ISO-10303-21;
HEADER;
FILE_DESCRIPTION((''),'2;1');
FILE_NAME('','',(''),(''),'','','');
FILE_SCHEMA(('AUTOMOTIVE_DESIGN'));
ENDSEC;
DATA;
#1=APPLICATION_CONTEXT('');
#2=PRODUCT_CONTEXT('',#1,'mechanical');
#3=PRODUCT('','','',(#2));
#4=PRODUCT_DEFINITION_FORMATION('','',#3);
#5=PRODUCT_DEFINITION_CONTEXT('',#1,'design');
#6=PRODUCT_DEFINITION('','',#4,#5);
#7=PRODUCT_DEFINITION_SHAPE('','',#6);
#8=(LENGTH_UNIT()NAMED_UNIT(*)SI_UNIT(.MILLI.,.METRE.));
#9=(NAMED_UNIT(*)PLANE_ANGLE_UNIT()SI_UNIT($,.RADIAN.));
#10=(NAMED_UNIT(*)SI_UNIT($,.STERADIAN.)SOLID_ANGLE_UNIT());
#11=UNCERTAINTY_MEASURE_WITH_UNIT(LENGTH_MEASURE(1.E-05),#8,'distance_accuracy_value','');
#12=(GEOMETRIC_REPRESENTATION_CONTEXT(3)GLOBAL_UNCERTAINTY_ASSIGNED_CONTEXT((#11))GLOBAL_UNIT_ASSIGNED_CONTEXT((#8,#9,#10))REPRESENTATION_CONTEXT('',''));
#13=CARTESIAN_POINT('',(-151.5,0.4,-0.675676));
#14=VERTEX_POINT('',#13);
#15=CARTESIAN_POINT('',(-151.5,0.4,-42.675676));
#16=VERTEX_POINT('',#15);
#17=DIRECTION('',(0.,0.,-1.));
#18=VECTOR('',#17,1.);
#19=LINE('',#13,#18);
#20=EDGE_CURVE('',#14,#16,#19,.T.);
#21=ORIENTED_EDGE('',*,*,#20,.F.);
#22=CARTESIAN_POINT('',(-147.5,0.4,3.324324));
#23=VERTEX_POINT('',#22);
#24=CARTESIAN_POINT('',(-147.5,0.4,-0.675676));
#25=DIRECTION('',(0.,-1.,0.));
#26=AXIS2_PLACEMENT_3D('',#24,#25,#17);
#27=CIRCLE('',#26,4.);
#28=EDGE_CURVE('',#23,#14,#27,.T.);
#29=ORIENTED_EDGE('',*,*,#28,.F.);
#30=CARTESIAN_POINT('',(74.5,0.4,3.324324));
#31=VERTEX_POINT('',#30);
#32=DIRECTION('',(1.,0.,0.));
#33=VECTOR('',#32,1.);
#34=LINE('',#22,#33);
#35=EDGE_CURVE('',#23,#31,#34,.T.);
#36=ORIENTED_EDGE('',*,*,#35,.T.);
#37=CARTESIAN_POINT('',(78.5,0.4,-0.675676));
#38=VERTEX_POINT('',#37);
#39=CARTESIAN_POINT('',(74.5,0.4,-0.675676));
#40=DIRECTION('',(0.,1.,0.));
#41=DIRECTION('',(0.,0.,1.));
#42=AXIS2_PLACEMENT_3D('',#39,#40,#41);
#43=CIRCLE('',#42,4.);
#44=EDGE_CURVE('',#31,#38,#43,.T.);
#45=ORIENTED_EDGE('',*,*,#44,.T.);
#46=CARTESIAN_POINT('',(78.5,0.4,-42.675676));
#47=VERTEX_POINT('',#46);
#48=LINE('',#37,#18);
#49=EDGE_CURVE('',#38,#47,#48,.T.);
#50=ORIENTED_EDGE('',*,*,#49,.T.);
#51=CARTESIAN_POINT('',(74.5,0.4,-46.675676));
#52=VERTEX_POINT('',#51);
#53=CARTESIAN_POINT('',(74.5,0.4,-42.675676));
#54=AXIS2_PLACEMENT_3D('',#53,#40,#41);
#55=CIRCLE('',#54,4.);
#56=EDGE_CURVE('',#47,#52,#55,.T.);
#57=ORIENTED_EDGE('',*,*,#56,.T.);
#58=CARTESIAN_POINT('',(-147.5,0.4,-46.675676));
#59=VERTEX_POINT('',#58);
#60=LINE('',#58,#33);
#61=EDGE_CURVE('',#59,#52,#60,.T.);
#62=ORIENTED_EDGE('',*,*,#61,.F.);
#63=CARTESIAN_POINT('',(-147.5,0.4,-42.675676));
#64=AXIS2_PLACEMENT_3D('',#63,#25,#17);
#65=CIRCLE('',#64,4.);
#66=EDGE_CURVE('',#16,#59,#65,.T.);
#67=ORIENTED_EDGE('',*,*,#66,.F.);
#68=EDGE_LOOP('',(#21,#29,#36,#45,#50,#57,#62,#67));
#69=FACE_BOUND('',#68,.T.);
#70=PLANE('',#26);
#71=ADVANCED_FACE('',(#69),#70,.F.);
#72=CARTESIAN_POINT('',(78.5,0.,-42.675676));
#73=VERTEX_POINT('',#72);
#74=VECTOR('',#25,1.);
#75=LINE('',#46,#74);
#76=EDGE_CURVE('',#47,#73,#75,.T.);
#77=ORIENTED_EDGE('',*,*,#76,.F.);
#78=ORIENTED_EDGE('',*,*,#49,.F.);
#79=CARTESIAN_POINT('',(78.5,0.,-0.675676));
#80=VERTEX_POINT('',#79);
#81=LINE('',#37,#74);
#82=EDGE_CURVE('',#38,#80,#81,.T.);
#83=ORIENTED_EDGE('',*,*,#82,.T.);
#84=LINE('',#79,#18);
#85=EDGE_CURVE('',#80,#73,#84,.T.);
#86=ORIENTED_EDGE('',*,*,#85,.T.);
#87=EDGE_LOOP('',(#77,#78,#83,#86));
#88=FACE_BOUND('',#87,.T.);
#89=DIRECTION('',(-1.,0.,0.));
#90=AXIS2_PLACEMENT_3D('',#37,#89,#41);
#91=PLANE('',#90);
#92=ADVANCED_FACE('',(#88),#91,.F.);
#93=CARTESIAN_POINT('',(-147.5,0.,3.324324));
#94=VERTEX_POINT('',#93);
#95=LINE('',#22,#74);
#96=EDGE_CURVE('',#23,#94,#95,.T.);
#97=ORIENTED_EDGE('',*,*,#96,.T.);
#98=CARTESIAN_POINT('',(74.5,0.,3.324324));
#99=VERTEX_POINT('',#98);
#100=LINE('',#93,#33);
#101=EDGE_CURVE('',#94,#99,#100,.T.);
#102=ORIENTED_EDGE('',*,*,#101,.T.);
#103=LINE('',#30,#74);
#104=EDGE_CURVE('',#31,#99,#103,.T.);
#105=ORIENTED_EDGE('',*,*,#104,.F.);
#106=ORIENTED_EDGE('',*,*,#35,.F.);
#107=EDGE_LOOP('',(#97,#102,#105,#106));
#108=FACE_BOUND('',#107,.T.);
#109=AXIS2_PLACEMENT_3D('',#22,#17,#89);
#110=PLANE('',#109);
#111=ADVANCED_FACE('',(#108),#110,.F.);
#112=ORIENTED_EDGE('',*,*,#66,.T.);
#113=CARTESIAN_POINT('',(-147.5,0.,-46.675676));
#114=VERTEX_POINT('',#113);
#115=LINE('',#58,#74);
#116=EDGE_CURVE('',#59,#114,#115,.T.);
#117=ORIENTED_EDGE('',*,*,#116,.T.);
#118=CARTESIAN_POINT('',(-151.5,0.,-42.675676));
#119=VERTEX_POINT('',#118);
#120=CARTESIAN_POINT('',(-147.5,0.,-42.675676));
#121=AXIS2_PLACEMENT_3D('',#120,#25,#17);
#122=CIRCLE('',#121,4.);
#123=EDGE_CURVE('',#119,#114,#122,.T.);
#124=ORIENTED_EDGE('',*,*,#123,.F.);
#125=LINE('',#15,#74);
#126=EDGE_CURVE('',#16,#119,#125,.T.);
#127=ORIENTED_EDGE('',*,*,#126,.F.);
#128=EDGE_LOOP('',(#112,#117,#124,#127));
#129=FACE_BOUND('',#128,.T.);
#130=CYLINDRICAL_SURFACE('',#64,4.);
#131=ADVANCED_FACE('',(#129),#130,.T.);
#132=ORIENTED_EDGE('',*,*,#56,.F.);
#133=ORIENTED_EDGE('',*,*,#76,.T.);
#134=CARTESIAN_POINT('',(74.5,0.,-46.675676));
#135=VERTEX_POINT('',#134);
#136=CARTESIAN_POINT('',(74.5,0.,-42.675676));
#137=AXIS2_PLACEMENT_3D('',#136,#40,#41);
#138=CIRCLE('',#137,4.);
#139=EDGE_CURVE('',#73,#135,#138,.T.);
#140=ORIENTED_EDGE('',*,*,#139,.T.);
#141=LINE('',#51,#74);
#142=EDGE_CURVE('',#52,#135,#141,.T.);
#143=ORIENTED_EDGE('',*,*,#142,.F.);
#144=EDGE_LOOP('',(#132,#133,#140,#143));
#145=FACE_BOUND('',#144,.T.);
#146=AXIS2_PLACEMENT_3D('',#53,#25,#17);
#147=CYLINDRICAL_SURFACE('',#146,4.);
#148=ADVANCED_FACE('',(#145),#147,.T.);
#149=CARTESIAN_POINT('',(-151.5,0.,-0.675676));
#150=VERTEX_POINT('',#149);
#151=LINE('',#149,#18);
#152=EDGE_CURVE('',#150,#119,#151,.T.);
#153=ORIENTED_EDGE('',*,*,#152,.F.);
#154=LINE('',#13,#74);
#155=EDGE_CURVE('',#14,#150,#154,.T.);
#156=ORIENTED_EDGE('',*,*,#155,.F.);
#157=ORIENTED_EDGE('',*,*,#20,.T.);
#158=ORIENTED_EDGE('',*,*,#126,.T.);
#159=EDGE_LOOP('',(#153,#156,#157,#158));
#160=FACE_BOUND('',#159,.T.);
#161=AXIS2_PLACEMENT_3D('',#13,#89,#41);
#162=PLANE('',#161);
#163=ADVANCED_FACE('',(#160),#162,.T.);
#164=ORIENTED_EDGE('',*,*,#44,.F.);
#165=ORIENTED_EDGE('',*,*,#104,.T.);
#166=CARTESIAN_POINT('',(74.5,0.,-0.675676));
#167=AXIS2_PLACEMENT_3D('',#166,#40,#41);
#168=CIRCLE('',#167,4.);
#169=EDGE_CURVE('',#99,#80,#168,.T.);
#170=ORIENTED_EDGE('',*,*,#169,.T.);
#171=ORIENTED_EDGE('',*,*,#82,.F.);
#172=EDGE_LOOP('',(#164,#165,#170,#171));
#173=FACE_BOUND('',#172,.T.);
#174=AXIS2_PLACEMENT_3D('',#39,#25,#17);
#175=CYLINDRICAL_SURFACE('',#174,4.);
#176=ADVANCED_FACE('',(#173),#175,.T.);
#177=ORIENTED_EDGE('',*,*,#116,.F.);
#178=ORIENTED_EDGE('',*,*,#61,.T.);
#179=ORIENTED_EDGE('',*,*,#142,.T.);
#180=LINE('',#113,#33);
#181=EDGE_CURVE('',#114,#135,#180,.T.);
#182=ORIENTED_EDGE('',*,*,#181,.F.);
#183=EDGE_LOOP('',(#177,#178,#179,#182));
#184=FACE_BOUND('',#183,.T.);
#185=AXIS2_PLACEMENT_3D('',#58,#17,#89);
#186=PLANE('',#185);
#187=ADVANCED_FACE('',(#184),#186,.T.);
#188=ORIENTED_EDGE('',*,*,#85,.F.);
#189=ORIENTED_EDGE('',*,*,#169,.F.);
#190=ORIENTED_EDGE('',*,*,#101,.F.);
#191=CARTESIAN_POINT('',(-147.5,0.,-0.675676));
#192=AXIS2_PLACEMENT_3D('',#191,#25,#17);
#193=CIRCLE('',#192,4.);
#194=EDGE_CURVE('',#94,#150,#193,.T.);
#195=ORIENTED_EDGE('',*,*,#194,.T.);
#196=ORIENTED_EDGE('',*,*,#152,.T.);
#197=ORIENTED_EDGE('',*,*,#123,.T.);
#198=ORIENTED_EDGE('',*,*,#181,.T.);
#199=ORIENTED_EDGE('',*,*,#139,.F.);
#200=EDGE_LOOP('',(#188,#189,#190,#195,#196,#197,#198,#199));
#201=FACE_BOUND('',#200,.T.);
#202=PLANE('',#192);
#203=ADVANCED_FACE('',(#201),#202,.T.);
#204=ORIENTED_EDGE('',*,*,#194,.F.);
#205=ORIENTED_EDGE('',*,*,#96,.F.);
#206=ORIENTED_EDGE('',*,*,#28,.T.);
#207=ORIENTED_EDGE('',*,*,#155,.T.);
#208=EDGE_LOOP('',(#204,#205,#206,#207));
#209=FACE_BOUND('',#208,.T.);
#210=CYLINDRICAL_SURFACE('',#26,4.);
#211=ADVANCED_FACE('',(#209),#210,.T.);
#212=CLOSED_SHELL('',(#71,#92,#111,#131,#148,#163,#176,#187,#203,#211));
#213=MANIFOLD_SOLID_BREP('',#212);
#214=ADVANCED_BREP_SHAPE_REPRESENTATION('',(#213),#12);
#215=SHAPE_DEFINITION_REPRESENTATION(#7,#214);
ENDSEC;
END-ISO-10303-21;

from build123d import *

# Parameters (mm, degrees)
BOSS_EXTRUDE1_DEPTH = 0.4


with BuildPart() as part:
    # Sketch2 → Boss-Extrude1 (new body)
    with BuildSketch(Plane(origin=(0, 0, 0), x_dir=(1, 0, 0), z_dir=(0, 1, 0))):
        with BuildLine():
            Line((-147.5, -3.324324324), (74.5, -3.324324324))
            ThreePointArc((74.5, -3.324324324), (77.328427125, -2.152751449), (78.5, 0.675675676))
            Line((78.5, 0.675675676), (78.5, 42.675675676))
            ThreePointArc((78.5, 42.675675676), (77.328427125, 45.5041028), (74.5, 46.675675676))
            Line((74.5, 46.675675676), (-147.5, 46.675675676))
            ThreePointArc((-147.5, 46.675675676), (-150.328427125, 45.5041028), (-151.5, 42.675675676))
            Line((-151.5, 42.675675676), (-151.5, 0.675675676))
            ThreePointArc((-151.5, 0.675675676), (-150.328427125, -2.152751449), (-147.5, -3.324324324))
        make_face()
    extrude(amount=BOSS_EXTRUDE1_DEPTH)


solid = part.part
